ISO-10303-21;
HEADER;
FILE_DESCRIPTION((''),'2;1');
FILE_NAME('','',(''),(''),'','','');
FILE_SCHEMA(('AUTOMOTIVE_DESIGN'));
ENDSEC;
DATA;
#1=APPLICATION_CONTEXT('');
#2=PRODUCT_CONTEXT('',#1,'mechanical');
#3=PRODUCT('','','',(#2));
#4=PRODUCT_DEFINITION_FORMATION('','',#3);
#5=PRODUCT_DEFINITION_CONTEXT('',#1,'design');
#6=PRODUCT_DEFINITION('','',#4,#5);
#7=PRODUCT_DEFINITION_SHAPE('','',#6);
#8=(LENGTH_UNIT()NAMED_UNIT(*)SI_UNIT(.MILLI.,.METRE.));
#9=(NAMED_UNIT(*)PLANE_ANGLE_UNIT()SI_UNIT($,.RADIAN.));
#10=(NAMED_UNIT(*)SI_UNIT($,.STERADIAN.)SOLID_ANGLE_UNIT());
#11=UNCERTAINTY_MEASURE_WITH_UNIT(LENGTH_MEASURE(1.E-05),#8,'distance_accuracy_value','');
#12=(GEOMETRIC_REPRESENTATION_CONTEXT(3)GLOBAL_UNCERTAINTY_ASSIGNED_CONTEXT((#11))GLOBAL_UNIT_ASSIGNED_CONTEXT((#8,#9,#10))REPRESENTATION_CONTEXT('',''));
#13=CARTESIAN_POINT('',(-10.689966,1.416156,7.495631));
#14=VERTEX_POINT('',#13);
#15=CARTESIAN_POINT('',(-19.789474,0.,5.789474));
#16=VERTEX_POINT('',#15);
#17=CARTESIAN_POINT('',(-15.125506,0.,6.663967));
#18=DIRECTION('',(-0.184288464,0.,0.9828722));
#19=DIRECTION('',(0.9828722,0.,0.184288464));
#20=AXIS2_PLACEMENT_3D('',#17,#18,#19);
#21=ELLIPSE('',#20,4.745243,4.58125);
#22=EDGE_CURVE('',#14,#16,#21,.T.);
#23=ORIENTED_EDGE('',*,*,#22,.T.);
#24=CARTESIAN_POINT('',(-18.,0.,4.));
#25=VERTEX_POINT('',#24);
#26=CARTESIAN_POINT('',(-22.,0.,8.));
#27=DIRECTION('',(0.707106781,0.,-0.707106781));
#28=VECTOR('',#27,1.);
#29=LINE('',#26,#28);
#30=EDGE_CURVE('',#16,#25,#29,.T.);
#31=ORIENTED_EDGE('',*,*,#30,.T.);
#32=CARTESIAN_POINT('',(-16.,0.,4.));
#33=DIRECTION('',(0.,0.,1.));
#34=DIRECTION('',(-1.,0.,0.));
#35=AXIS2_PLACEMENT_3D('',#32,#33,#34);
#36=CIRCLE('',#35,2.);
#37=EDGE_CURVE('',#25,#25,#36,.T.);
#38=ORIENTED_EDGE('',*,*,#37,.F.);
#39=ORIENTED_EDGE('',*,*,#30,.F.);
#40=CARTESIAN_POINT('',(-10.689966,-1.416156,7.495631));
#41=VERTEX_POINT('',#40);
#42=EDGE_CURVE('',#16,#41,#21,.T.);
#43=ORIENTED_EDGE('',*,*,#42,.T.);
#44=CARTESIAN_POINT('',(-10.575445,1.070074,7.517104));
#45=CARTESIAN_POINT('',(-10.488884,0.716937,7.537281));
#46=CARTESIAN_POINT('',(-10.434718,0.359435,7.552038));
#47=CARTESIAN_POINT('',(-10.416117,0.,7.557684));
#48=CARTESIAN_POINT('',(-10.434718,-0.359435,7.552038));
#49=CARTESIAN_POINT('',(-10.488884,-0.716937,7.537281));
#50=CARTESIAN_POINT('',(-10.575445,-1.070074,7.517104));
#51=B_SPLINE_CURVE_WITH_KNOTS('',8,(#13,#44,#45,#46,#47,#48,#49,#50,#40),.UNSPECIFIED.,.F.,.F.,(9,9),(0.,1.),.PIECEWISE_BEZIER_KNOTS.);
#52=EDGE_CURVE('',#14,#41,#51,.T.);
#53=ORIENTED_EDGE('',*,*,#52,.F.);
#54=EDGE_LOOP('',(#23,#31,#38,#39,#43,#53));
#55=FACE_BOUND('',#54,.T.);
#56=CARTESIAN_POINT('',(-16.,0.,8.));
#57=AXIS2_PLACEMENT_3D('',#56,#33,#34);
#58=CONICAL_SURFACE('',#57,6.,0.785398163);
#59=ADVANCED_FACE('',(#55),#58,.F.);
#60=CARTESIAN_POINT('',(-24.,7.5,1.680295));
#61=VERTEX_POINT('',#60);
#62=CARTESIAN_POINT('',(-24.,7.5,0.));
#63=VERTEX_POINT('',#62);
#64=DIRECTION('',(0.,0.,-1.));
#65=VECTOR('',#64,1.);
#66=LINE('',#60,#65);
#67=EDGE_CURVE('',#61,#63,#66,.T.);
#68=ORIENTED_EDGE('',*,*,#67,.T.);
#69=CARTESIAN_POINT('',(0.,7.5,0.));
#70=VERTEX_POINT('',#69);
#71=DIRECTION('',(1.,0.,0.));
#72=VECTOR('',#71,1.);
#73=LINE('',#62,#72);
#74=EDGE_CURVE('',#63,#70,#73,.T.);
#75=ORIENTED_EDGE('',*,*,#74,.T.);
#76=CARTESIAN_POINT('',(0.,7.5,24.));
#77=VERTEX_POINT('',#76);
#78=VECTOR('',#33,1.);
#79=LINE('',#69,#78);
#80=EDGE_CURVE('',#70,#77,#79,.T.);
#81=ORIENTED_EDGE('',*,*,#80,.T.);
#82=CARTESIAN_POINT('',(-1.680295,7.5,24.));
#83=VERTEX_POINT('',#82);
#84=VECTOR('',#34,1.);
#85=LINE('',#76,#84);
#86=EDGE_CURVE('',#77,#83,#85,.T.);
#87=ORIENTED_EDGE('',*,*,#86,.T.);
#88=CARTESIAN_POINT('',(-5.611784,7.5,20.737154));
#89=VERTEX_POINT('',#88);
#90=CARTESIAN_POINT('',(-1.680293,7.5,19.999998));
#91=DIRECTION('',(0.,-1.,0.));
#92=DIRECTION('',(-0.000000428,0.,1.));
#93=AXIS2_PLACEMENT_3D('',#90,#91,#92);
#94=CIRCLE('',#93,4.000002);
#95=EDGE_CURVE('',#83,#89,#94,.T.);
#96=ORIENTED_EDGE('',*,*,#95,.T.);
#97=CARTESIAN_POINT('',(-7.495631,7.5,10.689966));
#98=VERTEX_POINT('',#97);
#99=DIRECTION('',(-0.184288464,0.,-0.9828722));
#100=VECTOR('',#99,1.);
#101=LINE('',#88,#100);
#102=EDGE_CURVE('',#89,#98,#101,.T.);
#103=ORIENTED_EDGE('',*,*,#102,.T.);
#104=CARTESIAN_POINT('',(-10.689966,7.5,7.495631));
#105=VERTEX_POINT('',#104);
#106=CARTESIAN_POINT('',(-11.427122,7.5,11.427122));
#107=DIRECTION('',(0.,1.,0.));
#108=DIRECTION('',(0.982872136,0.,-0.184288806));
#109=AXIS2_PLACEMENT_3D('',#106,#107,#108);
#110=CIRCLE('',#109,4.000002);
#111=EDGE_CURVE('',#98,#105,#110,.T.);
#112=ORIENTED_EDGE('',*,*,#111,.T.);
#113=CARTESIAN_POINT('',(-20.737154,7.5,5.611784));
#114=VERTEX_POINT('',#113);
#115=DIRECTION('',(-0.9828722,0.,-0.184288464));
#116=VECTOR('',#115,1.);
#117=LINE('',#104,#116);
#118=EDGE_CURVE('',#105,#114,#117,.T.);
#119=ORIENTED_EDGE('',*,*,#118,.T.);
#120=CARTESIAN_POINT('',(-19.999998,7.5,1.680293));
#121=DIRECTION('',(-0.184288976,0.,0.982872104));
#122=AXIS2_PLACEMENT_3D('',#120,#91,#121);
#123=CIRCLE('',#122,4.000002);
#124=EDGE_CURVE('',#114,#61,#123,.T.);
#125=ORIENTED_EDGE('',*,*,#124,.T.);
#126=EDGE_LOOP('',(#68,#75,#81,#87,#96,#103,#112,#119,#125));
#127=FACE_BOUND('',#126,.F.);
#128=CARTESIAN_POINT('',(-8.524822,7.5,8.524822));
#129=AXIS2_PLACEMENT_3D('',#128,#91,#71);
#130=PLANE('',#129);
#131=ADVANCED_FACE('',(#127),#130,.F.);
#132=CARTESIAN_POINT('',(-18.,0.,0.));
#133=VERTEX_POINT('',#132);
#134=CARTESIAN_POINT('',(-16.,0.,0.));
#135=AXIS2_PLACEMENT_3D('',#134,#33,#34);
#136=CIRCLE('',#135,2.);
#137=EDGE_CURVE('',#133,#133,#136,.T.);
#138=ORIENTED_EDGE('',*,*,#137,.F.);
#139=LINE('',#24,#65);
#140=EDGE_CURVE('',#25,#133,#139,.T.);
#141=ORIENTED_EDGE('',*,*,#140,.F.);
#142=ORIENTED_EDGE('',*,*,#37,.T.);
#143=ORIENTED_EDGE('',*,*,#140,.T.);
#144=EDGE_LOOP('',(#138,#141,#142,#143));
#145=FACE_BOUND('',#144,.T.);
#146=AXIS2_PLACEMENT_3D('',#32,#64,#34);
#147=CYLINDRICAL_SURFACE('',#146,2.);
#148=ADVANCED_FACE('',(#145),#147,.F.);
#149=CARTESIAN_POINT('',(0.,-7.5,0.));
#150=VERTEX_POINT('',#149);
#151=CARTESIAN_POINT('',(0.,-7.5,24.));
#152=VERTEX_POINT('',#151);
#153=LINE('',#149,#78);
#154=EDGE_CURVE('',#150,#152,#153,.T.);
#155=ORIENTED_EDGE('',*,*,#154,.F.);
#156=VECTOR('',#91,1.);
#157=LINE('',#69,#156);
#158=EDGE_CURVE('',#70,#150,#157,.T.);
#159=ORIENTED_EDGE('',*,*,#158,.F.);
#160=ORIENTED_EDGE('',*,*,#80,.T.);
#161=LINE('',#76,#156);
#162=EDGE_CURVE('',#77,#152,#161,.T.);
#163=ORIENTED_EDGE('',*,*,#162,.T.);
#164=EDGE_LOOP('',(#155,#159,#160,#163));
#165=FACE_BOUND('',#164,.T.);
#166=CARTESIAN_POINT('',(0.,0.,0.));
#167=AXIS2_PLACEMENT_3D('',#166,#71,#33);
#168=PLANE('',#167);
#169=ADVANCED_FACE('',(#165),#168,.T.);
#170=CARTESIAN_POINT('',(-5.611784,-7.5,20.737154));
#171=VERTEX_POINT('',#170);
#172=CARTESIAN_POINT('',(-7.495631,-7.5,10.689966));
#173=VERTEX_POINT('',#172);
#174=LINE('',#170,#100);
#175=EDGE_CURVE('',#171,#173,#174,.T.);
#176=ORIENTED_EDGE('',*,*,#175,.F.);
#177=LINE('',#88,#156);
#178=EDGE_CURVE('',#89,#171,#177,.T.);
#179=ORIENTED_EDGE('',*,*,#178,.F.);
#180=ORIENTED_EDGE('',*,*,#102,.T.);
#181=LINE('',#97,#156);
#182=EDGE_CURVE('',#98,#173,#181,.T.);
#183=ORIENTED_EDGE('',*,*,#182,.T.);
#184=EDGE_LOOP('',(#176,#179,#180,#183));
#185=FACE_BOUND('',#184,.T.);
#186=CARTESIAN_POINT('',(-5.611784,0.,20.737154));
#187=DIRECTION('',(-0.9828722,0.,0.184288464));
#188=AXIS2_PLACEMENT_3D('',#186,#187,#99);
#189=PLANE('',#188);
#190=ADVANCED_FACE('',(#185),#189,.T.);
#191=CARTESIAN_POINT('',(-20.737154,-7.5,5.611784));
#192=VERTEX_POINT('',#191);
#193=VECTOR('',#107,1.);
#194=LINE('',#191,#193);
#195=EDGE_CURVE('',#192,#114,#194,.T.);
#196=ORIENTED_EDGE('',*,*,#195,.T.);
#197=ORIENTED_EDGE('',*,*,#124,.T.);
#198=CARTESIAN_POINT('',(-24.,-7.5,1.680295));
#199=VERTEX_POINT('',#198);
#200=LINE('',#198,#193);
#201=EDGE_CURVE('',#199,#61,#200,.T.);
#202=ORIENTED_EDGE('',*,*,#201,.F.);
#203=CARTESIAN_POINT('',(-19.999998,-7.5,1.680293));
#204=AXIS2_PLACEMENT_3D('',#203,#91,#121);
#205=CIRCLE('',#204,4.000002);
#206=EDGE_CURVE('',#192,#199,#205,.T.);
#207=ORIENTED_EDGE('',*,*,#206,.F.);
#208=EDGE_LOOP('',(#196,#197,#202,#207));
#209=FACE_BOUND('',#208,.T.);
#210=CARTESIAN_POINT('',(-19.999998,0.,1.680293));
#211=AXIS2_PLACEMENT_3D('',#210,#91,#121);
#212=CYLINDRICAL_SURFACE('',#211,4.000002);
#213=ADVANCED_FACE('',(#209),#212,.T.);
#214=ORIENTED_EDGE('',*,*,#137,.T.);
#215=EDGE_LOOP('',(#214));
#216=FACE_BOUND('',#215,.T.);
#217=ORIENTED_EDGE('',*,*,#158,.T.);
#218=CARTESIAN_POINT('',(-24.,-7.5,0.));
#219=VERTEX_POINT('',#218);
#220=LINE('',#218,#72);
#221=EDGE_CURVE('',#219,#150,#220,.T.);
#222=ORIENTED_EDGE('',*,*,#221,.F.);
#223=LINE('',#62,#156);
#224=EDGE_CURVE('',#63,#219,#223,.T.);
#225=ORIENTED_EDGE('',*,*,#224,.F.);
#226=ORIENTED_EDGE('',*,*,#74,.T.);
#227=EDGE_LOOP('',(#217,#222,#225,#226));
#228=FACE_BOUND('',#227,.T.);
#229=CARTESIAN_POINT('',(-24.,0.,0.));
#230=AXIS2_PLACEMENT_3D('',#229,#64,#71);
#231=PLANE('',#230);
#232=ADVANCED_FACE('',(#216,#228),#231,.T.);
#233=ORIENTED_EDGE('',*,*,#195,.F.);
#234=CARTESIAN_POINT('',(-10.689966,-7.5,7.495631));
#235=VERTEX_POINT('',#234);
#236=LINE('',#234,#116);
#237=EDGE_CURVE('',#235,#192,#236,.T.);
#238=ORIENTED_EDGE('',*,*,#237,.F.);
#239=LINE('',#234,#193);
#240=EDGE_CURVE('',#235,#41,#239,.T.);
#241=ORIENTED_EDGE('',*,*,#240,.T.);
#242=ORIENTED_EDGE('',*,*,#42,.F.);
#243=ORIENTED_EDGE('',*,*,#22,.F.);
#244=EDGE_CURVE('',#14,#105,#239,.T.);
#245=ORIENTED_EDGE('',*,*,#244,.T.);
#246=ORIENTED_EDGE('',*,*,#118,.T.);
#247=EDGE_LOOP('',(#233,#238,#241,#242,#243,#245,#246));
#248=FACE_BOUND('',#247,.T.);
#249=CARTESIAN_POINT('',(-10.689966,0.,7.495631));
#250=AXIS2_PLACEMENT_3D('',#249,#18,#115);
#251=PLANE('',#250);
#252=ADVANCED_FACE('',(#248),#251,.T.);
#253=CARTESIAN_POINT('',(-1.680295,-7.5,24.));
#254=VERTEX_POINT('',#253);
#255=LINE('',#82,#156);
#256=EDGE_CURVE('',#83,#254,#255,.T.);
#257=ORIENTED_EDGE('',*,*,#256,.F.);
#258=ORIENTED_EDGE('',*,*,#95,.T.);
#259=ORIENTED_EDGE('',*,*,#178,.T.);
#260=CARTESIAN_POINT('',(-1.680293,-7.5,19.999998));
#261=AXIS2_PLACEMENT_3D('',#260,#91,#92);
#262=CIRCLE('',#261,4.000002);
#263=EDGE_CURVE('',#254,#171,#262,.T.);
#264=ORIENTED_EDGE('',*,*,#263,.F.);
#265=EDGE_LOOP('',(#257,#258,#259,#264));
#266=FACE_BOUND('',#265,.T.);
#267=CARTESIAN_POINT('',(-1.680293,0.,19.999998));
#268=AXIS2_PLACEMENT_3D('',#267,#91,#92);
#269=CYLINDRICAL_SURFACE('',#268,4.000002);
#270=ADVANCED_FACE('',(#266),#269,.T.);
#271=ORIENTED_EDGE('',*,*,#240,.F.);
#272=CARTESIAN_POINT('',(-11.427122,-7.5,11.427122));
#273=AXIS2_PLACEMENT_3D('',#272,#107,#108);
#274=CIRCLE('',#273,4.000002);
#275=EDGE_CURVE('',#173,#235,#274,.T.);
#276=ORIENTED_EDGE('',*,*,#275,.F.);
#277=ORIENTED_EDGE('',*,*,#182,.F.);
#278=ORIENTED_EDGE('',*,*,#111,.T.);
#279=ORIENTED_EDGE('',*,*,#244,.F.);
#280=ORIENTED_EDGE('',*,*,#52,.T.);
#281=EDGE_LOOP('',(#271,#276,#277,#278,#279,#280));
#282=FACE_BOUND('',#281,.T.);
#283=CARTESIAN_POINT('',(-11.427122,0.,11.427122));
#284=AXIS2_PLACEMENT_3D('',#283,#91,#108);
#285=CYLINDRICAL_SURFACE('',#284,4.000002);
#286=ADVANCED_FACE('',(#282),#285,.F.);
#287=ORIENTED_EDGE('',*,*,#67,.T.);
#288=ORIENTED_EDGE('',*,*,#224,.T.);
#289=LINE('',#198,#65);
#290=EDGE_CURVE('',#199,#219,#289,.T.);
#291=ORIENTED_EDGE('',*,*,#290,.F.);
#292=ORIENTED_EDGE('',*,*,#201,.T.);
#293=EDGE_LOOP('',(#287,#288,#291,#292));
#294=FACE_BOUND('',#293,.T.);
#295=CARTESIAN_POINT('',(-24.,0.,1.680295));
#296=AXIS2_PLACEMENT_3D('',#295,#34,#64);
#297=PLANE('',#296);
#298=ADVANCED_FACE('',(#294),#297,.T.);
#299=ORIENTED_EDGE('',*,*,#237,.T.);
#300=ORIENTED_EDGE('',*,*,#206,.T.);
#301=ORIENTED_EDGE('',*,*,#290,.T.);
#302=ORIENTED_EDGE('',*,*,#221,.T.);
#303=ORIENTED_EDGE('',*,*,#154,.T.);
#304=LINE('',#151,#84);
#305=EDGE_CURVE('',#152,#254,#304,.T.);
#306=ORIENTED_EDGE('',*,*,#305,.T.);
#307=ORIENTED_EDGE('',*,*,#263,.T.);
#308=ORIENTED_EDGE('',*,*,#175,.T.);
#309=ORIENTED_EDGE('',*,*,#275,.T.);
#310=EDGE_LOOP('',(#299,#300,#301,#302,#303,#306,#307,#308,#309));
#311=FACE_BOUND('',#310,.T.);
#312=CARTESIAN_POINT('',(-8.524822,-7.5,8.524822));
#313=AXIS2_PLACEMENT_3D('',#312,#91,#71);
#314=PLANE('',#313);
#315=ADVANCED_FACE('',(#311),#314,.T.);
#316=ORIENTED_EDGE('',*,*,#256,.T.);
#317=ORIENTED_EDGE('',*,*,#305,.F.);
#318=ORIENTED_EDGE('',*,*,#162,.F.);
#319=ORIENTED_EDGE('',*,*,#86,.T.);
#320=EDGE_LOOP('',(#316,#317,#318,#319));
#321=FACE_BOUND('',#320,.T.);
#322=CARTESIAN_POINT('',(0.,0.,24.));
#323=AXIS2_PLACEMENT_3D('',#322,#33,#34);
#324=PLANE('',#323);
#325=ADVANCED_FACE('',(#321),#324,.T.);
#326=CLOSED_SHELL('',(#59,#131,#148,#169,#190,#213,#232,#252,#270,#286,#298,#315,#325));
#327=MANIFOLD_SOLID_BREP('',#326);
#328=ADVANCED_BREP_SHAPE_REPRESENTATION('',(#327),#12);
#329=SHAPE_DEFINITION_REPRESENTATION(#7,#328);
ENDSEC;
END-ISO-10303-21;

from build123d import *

# Parameters (mm, degrees)
F1_DEPTH = 7.5


with BuildPart() as f1:
    # F0 (on Front) → F1 (new body, symmetric)
    with BuildSketch(Plane.XZ):
        with BuildLine():
            Line((-24, 1.680295), (-24, 0))
            Line((-24, 0), (0, 0))
            Line((0, 0), (0, 24))
            Line((0, 24), (-1.680295, 24))
            ThreePointArc((-1.680295, 24), (-4.234838, 23.078036), (-5.611784, 20.737154))
            Line((-5.611784, 20.737154), (-7.495631, 10.689966))
            ThreePointArc((-7.495631, 10.689966), (-8.598693, 8.598693), (-10.689966, 7.495631))
            Line((-10.689966, 7.495631), (-20.737154, 5.611784))
            ThreePointArc((-20.737154, 5.611784), (-23.078036, 4.234838), (-24, 1.680295))
        make_face()
    extrude(amount=F1_DEPTH, both=True)

    # F2 (on Front) → F3 (revolve, cut)
    with BuildSketch(Plane.XZ):
        Polygon((-18, 4), (-18, 0), (-16, 0), (-16, 8), (-22, 8), align=None)
    revolve(axis=Axis((-16, 0, 4), (0, 0, 1)), mode=Mode.SUBTRACT)


solid = f1.part
